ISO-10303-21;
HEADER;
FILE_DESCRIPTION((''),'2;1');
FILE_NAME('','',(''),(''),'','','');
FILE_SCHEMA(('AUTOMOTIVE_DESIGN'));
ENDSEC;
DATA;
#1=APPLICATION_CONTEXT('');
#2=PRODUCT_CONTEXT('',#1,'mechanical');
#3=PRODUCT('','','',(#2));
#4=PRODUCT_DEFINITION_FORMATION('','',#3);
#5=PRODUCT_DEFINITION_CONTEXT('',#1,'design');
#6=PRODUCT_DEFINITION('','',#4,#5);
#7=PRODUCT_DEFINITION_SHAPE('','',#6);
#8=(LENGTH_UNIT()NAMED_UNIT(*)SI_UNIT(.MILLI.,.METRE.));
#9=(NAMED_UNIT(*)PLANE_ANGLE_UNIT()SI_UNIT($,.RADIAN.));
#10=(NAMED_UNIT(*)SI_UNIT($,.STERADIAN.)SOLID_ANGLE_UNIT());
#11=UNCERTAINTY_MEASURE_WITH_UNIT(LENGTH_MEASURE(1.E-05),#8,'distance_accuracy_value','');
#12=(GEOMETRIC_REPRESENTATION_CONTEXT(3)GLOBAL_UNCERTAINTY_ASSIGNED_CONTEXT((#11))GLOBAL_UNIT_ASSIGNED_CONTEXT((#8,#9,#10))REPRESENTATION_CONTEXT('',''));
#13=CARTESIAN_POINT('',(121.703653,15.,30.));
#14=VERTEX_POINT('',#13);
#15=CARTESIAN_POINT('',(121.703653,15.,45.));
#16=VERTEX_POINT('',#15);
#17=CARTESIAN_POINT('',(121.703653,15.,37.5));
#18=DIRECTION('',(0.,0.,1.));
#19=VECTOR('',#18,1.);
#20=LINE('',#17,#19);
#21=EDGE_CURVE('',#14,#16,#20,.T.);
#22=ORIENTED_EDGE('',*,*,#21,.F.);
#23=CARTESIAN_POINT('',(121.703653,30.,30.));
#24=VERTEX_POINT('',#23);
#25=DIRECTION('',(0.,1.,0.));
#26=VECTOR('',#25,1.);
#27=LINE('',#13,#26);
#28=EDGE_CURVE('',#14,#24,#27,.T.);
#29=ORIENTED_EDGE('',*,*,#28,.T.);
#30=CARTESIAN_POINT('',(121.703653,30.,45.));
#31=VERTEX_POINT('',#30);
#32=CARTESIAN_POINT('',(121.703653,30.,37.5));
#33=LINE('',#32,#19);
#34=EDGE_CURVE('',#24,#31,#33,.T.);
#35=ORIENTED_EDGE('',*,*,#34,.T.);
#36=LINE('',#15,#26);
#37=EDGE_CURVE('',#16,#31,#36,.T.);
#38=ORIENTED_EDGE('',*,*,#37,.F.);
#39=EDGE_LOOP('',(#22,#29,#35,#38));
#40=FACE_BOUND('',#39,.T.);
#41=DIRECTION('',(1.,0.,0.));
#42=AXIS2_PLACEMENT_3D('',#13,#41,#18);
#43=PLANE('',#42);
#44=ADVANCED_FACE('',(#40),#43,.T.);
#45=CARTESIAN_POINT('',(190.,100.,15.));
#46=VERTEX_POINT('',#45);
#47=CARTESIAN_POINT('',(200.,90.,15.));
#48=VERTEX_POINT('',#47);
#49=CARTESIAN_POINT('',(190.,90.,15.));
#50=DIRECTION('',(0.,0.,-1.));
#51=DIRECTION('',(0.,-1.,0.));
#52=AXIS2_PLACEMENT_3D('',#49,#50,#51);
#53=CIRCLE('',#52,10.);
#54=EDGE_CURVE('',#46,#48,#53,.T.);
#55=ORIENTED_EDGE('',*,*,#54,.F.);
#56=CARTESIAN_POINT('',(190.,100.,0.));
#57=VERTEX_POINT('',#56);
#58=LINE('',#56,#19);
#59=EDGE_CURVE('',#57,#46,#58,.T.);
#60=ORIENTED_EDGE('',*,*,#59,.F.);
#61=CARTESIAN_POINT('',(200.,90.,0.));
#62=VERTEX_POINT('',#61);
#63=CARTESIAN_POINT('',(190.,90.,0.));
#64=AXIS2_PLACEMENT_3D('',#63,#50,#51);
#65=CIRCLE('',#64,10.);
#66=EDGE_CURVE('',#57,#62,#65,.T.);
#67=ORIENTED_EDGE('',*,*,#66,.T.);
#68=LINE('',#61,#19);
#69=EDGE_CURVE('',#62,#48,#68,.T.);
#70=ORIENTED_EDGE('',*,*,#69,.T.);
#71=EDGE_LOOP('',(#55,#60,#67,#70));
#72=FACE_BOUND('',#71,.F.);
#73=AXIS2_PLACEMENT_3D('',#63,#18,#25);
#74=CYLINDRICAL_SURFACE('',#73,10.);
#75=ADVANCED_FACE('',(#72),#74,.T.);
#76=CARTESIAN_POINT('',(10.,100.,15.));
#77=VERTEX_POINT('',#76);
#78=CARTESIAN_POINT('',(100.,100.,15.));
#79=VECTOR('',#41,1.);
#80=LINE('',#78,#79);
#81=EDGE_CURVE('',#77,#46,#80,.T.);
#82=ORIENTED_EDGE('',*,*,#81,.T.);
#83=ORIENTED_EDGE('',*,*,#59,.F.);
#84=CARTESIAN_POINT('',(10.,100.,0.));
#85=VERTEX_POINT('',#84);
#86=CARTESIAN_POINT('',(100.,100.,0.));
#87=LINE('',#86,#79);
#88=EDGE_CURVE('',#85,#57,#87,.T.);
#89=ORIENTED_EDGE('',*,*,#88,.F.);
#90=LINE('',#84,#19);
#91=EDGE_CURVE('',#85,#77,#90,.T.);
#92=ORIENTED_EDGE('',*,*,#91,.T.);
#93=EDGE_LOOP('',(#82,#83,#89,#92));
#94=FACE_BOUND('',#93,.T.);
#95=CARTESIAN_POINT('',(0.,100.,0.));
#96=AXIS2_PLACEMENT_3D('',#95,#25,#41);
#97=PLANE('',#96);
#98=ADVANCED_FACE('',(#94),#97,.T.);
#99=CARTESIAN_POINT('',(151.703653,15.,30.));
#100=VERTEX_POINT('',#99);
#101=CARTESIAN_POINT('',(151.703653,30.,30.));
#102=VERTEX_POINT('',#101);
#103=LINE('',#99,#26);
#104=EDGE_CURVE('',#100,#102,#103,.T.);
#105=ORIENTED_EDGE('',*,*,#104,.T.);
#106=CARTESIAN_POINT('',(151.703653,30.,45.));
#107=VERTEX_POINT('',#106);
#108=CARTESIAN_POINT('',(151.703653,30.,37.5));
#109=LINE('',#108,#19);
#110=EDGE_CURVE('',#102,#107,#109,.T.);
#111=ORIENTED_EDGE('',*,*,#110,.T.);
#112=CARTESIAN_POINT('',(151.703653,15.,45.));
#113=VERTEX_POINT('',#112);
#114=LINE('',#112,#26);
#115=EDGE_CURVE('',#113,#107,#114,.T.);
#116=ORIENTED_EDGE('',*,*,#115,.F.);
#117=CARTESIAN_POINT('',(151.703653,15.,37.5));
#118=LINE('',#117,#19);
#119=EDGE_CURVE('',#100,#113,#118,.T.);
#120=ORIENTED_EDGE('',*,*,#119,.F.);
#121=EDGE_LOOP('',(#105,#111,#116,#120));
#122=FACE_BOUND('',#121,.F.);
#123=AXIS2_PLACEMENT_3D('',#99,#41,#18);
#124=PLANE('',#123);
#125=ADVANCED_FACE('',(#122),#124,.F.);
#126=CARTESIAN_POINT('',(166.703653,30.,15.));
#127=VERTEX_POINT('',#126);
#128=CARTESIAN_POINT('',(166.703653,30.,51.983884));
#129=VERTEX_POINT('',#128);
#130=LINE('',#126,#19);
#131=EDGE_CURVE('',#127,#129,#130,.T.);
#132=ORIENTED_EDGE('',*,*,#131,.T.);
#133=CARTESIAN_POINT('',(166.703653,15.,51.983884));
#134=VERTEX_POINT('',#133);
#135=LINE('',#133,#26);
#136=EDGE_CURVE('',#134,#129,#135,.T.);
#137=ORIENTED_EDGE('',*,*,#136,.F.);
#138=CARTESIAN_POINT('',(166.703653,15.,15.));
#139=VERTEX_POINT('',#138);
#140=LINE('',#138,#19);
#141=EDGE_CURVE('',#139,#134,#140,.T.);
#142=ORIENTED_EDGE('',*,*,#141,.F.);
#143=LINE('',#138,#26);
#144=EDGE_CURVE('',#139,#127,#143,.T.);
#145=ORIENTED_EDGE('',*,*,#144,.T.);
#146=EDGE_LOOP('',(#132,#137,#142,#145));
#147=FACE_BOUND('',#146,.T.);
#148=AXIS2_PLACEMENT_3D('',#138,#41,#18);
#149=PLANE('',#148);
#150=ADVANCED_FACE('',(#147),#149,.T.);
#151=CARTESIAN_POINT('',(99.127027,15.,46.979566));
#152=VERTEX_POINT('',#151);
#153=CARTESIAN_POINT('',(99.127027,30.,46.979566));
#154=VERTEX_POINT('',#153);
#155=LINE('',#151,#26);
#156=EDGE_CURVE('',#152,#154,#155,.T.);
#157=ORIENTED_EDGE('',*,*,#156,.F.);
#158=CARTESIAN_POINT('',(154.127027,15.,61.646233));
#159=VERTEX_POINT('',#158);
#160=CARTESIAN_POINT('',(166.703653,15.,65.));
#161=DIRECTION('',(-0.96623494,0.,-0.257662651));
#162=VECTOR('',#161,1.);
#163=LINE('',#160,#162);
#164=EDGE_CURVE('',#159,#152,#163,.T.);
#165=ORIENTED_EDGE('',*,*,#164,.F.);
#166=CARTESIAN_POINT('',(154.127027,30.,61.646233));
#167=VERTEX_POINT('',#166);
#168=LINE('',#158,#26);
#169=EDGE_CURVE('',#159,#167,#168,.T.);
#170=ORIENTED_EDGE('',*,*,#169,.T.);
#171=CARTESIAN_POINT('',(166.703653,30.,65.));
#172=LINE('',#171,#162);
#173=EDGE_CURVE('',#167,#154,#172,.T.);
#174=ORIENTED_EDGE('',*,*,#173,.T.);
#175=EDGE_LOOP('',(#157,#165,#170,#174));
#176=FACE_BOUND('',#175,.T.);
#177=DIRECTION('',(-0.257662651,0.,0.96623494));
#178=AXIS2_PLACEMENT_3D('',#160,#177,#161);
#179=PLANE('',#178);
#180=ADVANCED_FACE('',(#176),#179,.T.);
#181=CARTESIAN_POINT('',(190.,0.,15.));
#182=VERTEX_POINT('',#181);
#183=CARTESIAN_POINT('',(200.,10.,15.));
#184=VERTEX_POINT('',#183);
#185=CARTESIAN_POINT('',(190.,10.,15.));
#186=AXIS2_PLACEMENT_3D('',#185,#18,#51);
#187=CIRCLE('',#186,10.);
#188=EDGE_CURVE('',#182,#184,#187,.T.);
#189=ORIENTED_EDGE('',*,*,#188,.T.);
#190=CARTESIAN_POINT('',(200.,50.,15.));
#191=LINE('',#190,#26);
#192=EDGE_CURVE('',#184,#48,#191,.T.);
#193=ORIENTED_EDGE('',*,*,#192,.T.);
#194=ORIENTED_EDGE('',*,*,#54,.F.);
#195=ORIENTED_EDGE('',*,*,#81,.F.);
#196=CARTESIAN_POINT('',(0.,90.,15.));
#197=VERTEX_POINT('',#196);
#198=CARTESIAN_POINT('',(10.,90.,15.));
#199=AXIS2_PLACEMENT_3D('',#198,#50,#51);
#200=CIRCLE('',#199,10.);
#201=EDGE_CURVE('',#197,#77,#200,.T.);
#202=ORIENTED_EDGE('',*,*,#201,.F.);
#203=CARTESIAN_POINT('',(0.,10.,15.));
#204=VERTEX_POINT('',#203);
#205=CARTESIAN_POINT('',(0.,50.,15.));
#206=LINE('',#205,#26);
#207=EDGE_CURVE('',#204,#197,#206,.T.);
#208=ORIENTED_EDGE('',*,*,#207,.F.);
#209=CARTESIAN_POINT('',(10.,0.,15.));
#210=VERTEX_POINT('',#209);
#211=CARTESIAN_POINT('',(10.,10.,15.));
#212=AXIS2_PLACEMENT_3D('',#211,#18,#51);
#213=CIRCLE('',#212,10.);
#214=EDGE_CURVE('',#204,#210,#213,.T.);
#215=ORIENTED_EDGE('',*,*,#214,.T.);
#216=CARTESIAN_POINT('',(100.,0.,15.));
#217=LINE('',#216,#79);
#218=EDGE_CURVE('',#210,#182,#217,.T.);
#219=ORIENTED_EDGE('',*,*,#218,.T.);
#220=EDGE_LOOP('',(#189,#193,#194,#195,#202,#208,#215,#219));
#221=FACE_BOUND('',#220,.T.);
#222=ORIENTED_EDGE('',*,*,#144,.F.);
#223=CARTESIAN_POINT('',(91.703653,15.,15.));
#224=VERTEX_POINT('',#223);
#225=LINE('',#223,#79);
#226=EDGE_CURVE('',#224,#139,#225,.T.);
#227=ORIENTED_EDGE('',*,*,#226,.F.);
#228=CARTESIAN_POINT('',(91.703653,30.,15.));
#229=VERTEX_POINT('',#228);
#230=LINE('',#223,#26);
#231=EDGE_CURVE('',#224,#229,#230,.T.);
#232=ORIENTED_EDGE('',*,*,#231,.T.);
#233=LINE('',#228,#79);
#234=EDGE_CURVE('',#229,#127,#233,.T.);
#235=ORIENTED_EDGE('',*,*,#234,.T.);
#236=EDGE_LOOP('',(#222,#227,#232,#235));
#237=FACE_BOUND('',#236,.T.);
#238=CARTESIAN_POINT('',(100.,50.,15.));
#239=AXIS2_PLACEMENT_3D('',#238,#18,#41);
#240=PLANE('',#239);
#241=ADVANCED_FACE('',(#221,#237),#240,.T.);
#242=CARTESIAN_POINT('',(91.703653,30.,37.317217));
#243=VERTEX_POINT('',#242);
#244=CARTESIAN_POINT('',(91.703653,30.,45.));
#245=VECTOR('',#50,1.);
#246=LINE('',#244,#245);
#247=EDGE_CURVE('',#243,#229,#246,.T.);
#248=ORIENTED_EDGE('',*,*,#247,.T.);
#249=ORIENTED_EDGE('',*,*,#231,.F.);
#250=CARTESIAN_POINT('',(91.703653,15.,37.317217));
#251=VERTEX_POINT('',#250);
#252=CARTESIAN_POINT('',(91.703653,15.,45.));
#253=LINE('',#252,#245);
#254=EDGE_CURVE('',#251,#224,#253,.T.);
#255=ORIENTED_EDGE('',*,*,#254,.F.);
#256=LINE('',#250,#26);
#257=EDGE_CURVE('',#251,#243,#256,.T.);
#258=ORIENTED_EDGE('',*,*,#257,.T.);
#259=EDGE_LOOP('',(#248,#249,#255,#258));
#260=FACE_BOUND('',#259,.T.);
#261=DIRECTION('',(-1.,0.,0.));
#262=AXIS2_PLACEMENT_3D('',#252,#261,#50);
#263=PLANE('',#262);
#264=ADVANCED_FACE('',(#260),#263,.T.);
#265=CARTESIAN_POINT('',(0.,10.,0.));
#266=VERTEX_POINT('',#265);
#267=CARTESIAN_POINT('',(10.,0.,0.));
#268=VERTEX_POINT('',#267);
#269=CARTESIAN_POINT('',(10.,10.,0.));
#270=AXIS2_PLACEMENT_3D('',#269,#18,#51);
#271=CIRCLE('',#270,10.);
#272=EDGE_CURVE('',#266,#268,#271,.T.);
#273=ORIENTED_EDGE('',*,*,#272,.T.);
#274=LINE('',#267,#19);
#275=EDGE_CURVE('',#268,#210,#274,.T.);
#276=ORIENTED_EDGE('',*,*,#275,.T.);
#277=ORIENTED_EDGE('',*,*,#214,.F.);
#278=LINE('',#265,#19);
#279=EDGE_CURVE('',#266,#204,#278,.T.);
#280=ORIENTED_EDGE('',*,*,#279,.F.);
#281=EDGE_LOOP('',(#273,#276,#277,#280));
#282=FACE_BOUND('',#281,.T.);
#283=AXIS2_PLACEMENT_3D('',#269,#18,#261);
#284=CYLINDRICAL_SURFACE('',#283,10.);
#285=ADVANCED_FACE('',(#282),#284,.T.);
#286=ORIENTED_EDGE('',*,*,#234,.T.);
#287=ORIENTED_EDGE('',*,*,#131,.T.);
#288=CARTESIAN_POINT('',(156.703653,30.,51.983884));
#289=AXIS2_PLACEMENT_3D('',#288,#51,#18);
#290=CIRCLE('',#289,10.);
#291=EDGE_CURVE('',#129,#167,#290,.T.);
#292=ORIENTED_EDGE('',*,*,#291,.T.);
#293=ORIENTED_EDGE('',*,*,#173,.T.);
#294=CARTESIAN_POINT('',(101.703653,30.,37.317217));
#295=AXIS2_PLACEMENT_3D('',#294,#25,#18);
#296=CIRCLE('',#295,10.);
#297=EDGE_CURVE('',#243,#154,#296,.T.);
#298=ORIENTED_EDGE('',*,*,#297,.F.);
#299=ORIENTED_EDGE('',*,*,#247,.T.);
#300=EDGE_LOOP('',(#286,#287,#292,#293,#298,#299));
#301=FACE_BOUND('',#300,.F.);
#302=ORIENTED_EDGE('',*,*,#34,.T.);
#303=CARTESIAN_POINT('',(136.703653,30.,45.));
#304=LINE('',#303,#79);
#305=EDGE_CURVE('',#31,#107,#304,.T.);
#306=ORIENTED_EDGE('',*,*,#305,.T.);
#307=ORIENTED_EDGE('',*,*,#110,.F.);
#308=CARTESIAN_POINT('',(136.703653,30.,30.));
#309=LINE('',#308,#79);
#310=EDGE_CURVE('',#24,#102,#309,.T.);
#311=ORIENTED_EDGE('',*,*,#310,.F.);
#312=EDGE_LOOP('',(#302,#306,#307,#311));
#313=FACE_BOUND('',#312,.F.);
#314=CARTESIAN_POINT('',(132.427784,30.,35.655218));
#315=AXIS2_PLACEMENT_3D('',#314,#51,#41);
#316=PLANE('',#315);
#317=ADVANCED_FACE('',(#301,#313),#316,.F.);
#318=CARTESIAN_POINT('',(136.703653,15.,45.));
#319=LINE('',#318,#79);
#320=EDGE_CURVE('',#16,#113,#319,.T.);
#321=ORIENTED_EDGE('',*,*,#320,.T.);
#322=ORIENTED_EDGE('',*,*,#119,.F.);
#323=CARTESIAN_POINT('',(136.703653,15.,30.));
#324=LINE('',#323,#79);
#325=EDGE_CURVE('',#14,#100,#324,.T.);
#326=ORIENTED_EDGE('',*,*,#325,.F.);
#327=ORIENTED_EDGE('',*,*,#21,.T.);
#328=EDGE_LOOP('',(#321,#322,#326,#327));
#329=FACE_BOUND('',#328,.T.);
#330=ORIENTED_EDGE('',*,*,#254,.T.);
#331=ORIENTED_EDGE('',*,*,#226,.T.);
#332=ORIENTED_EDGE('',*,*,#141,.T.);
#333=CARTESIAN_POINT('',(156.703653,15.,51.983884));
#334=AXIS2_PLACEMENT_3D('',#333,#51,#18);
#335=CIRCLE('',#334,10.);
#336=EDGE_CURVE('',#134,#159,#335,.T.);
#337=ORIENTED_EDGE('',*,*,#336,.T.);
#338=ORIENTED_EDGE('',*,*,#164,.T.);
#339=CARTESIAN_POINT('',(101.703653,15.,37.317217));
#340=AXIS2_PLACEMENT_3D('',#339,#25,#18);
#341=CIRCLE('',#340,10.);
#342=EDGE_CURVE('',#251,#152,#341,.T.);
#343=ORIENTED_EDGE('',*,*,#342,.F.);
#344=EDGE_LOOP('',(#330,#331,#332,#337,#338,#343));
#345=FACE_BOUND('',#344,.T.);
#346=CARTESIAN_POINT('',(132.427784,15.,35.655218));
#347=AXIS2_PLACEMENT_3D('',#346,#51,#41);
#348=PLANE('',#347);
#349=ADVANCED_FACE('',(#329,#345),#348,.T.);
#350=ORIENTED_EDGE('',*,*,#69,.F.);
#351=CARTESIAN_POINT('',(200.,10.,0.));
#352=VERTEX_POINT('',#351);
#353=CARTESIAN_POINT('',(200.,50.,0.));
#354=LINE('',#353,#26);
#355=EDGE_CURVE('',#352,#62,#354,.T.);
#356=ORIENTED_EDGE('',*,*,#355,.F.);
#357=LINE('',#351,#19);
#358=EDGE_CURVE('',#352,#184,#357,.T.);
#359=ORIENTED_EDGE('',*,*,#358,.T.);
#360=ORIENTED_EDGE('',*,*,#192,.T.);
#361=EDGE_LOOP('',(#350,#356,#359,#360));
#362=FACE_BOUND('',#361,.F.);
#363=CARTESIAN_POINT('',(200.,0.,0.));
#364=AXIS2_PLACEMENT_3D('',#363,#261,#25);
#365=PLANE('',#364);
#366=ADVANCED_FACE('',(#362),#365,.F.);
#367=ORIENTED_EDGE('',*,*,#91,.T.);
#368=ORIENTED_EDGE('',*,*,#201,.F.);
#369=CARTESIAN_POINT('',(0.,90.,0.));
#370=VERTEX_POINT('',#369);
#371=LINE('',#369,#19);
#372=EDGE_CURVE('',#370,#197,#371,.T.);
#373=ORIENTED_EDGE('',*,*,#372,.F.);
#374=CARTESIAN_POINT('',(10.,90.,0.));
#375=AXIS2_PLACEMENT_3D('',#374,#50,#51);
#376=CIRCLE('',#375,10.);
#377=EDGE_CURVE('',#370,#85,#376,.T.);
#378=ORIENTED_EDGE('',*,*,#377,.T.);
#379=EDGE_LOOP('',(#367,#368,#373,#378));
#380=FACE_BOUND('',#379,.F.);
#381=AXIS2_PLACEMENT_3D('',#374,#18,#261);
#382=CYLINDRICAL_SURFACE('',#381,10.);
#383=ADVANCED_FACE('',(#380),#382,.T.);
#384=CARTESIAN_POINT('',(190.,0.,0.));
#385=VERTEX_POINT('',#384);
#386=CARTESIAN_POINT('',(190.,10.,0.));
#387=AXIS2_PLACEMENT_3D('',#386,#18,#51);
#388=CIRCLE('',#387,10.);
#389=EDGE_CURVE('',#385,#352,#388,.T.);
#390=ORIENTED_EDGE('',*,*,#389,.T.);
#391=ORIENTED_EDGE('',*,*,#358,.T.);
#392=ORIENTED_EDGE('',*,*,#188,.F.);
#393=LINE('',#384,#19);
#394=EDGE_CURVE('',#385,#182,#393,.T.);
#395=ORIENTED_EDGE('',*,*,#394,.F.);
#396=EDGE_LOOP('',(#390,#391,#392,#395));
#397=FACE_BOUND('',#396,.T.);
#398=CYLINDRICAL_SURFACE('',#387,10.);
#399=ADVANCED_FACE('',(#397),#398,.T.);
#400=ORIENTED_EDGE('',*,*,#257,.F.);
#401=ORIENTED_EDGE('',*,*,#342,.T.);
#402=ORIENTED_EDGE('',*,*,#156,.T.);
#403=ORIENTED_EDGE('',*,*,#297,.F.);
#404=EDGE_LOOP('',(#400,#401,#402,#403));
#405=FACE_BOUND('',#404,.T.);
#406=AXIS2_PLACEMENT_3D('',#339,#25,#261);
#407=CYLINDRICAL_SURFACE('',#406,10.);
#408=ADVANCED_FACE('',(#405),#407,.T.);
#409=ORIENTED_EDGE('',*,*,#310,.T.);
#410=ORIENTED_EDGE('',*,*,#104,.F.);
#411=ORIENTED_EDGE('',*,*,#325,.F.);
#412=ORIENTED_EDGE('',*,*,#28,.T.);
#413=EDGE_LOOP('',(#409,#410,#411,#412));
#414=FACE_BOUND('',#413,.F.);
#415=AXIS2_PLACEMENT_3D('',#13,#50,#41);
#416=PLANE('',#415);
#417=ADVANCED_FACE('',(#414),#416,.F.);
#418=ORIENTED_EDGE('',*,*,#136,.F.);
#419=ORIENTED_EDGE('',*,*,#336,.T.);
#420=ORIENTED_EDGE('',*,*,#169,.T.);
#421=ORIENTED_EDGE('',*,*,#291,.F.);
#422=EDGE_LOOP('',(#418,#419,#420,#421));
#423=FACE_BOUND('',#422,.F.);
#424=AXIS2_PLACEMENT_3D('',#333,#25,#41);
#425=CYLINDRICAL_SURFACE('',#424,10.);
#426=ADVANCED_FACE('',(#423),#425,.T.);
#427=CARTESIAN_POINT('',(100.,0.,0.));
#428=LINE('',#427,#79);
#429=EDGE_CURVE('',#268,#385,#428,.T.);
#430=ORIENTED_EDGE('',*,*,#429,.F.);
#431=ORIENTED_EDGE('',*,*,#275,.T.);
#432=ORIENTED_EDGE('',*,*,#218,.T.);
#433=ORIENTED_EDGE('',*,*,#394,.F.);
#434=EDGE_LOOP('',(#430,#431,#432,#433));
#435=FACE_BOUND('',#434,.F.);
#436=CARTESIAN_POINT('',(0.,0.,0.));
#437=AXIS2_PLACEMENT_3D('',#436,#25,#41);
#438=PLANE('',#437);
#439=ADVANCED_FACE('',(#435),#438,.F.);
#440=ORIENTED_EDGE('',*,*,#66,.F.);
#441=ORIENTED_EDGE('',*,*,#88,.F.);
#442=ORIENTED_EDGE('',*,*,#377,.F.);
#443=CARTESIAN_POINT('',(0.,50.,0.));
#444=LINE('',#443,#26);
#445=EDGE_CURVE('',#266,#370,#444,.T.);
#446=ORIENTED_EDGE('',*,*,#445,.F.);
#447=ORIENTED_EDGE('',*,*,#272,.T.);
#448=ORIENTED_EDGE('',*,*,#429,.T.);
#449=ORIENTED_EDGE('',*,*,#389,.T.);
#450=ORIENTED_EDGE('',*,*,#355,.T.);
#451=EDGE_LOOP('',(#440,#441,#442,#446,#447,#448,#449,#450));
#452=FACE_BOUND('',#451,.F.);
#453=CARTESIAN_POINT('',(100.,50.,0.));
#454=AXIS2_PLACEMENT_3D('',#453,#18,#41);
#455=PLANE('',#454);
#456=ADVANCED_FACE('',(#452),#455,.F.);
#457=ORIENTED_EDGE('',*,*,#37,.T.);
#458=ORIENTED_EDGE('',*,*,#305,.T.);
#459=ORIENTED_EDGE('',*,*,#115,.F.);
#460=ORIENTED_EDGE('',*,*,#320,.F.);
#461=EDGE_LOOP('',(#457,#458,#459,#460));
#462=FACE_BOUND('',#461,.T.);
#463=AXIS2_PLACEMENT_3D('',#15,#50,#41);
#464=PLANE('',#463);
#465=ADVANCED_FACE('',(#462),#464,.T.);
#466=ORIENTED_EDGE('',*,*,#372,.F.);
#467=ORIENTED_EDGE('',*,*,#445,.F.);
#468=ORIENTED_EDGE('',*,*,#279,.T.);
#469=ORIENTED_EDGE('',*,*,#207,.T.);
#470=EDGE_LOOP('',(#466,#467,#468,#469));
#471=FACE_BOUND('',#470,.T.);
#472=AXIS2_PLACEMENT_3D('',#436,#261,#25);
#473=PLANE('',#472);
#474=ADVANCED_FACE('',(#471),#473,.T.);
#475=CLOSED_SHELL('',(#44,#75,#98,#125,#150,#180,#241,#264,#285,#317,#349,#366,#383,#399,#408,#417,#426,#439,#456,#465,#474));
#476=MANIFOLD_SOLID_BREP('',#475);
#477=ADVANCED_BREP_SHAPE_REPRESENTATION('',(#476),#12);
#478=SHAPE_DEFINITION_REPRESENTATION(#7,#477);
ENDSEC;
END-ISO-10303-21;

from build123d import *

# Parameters (mm, degrees)
F0_W     = 200
F0_H     = 100
F1_DEPTH = 15
F3_W     = 30
F3_H     = 15
F4_DEPTH = 15
F5_R     = 10


with BuildPart() as f1:
    # F0 (on Top) → F1 (new body)
    with BuildSketch(Plane.XY):
        with Locations((100, 50)):
            Rectangle(F0_W, F0_H)
    extrude(amount=F1_DEPTH)

    # F3 (on offset) → F4 (join)
    with BuildSketch(Plane.XZ.offset(-15)):
        Polygon((91.7036533356, 15), (166.7036533356, 15), (166.7036533356, 65), (91.7036533356, 45), align=None)
        with Locations((136.7036533356, 37.5)):
            Rectangle(F3_W, F3_H, mode=Mode.SUBTRACT)
    extrude(amount=-F4_DEPTH)

    # F5
    f5_edges = [f1.edges().sort_by_distance(p)[0] for p in [
        (200, 0, 7.5),
        (200, 100, 7.5),
        (0, 0, 7.5),
        (0, 100, 7.5),
        (91.703653, 22.5, 45),
        (166.703653, 22.5, 65),
    ]]
    fillet(f5_edges, radius=F5_R)


solid = f1.part
